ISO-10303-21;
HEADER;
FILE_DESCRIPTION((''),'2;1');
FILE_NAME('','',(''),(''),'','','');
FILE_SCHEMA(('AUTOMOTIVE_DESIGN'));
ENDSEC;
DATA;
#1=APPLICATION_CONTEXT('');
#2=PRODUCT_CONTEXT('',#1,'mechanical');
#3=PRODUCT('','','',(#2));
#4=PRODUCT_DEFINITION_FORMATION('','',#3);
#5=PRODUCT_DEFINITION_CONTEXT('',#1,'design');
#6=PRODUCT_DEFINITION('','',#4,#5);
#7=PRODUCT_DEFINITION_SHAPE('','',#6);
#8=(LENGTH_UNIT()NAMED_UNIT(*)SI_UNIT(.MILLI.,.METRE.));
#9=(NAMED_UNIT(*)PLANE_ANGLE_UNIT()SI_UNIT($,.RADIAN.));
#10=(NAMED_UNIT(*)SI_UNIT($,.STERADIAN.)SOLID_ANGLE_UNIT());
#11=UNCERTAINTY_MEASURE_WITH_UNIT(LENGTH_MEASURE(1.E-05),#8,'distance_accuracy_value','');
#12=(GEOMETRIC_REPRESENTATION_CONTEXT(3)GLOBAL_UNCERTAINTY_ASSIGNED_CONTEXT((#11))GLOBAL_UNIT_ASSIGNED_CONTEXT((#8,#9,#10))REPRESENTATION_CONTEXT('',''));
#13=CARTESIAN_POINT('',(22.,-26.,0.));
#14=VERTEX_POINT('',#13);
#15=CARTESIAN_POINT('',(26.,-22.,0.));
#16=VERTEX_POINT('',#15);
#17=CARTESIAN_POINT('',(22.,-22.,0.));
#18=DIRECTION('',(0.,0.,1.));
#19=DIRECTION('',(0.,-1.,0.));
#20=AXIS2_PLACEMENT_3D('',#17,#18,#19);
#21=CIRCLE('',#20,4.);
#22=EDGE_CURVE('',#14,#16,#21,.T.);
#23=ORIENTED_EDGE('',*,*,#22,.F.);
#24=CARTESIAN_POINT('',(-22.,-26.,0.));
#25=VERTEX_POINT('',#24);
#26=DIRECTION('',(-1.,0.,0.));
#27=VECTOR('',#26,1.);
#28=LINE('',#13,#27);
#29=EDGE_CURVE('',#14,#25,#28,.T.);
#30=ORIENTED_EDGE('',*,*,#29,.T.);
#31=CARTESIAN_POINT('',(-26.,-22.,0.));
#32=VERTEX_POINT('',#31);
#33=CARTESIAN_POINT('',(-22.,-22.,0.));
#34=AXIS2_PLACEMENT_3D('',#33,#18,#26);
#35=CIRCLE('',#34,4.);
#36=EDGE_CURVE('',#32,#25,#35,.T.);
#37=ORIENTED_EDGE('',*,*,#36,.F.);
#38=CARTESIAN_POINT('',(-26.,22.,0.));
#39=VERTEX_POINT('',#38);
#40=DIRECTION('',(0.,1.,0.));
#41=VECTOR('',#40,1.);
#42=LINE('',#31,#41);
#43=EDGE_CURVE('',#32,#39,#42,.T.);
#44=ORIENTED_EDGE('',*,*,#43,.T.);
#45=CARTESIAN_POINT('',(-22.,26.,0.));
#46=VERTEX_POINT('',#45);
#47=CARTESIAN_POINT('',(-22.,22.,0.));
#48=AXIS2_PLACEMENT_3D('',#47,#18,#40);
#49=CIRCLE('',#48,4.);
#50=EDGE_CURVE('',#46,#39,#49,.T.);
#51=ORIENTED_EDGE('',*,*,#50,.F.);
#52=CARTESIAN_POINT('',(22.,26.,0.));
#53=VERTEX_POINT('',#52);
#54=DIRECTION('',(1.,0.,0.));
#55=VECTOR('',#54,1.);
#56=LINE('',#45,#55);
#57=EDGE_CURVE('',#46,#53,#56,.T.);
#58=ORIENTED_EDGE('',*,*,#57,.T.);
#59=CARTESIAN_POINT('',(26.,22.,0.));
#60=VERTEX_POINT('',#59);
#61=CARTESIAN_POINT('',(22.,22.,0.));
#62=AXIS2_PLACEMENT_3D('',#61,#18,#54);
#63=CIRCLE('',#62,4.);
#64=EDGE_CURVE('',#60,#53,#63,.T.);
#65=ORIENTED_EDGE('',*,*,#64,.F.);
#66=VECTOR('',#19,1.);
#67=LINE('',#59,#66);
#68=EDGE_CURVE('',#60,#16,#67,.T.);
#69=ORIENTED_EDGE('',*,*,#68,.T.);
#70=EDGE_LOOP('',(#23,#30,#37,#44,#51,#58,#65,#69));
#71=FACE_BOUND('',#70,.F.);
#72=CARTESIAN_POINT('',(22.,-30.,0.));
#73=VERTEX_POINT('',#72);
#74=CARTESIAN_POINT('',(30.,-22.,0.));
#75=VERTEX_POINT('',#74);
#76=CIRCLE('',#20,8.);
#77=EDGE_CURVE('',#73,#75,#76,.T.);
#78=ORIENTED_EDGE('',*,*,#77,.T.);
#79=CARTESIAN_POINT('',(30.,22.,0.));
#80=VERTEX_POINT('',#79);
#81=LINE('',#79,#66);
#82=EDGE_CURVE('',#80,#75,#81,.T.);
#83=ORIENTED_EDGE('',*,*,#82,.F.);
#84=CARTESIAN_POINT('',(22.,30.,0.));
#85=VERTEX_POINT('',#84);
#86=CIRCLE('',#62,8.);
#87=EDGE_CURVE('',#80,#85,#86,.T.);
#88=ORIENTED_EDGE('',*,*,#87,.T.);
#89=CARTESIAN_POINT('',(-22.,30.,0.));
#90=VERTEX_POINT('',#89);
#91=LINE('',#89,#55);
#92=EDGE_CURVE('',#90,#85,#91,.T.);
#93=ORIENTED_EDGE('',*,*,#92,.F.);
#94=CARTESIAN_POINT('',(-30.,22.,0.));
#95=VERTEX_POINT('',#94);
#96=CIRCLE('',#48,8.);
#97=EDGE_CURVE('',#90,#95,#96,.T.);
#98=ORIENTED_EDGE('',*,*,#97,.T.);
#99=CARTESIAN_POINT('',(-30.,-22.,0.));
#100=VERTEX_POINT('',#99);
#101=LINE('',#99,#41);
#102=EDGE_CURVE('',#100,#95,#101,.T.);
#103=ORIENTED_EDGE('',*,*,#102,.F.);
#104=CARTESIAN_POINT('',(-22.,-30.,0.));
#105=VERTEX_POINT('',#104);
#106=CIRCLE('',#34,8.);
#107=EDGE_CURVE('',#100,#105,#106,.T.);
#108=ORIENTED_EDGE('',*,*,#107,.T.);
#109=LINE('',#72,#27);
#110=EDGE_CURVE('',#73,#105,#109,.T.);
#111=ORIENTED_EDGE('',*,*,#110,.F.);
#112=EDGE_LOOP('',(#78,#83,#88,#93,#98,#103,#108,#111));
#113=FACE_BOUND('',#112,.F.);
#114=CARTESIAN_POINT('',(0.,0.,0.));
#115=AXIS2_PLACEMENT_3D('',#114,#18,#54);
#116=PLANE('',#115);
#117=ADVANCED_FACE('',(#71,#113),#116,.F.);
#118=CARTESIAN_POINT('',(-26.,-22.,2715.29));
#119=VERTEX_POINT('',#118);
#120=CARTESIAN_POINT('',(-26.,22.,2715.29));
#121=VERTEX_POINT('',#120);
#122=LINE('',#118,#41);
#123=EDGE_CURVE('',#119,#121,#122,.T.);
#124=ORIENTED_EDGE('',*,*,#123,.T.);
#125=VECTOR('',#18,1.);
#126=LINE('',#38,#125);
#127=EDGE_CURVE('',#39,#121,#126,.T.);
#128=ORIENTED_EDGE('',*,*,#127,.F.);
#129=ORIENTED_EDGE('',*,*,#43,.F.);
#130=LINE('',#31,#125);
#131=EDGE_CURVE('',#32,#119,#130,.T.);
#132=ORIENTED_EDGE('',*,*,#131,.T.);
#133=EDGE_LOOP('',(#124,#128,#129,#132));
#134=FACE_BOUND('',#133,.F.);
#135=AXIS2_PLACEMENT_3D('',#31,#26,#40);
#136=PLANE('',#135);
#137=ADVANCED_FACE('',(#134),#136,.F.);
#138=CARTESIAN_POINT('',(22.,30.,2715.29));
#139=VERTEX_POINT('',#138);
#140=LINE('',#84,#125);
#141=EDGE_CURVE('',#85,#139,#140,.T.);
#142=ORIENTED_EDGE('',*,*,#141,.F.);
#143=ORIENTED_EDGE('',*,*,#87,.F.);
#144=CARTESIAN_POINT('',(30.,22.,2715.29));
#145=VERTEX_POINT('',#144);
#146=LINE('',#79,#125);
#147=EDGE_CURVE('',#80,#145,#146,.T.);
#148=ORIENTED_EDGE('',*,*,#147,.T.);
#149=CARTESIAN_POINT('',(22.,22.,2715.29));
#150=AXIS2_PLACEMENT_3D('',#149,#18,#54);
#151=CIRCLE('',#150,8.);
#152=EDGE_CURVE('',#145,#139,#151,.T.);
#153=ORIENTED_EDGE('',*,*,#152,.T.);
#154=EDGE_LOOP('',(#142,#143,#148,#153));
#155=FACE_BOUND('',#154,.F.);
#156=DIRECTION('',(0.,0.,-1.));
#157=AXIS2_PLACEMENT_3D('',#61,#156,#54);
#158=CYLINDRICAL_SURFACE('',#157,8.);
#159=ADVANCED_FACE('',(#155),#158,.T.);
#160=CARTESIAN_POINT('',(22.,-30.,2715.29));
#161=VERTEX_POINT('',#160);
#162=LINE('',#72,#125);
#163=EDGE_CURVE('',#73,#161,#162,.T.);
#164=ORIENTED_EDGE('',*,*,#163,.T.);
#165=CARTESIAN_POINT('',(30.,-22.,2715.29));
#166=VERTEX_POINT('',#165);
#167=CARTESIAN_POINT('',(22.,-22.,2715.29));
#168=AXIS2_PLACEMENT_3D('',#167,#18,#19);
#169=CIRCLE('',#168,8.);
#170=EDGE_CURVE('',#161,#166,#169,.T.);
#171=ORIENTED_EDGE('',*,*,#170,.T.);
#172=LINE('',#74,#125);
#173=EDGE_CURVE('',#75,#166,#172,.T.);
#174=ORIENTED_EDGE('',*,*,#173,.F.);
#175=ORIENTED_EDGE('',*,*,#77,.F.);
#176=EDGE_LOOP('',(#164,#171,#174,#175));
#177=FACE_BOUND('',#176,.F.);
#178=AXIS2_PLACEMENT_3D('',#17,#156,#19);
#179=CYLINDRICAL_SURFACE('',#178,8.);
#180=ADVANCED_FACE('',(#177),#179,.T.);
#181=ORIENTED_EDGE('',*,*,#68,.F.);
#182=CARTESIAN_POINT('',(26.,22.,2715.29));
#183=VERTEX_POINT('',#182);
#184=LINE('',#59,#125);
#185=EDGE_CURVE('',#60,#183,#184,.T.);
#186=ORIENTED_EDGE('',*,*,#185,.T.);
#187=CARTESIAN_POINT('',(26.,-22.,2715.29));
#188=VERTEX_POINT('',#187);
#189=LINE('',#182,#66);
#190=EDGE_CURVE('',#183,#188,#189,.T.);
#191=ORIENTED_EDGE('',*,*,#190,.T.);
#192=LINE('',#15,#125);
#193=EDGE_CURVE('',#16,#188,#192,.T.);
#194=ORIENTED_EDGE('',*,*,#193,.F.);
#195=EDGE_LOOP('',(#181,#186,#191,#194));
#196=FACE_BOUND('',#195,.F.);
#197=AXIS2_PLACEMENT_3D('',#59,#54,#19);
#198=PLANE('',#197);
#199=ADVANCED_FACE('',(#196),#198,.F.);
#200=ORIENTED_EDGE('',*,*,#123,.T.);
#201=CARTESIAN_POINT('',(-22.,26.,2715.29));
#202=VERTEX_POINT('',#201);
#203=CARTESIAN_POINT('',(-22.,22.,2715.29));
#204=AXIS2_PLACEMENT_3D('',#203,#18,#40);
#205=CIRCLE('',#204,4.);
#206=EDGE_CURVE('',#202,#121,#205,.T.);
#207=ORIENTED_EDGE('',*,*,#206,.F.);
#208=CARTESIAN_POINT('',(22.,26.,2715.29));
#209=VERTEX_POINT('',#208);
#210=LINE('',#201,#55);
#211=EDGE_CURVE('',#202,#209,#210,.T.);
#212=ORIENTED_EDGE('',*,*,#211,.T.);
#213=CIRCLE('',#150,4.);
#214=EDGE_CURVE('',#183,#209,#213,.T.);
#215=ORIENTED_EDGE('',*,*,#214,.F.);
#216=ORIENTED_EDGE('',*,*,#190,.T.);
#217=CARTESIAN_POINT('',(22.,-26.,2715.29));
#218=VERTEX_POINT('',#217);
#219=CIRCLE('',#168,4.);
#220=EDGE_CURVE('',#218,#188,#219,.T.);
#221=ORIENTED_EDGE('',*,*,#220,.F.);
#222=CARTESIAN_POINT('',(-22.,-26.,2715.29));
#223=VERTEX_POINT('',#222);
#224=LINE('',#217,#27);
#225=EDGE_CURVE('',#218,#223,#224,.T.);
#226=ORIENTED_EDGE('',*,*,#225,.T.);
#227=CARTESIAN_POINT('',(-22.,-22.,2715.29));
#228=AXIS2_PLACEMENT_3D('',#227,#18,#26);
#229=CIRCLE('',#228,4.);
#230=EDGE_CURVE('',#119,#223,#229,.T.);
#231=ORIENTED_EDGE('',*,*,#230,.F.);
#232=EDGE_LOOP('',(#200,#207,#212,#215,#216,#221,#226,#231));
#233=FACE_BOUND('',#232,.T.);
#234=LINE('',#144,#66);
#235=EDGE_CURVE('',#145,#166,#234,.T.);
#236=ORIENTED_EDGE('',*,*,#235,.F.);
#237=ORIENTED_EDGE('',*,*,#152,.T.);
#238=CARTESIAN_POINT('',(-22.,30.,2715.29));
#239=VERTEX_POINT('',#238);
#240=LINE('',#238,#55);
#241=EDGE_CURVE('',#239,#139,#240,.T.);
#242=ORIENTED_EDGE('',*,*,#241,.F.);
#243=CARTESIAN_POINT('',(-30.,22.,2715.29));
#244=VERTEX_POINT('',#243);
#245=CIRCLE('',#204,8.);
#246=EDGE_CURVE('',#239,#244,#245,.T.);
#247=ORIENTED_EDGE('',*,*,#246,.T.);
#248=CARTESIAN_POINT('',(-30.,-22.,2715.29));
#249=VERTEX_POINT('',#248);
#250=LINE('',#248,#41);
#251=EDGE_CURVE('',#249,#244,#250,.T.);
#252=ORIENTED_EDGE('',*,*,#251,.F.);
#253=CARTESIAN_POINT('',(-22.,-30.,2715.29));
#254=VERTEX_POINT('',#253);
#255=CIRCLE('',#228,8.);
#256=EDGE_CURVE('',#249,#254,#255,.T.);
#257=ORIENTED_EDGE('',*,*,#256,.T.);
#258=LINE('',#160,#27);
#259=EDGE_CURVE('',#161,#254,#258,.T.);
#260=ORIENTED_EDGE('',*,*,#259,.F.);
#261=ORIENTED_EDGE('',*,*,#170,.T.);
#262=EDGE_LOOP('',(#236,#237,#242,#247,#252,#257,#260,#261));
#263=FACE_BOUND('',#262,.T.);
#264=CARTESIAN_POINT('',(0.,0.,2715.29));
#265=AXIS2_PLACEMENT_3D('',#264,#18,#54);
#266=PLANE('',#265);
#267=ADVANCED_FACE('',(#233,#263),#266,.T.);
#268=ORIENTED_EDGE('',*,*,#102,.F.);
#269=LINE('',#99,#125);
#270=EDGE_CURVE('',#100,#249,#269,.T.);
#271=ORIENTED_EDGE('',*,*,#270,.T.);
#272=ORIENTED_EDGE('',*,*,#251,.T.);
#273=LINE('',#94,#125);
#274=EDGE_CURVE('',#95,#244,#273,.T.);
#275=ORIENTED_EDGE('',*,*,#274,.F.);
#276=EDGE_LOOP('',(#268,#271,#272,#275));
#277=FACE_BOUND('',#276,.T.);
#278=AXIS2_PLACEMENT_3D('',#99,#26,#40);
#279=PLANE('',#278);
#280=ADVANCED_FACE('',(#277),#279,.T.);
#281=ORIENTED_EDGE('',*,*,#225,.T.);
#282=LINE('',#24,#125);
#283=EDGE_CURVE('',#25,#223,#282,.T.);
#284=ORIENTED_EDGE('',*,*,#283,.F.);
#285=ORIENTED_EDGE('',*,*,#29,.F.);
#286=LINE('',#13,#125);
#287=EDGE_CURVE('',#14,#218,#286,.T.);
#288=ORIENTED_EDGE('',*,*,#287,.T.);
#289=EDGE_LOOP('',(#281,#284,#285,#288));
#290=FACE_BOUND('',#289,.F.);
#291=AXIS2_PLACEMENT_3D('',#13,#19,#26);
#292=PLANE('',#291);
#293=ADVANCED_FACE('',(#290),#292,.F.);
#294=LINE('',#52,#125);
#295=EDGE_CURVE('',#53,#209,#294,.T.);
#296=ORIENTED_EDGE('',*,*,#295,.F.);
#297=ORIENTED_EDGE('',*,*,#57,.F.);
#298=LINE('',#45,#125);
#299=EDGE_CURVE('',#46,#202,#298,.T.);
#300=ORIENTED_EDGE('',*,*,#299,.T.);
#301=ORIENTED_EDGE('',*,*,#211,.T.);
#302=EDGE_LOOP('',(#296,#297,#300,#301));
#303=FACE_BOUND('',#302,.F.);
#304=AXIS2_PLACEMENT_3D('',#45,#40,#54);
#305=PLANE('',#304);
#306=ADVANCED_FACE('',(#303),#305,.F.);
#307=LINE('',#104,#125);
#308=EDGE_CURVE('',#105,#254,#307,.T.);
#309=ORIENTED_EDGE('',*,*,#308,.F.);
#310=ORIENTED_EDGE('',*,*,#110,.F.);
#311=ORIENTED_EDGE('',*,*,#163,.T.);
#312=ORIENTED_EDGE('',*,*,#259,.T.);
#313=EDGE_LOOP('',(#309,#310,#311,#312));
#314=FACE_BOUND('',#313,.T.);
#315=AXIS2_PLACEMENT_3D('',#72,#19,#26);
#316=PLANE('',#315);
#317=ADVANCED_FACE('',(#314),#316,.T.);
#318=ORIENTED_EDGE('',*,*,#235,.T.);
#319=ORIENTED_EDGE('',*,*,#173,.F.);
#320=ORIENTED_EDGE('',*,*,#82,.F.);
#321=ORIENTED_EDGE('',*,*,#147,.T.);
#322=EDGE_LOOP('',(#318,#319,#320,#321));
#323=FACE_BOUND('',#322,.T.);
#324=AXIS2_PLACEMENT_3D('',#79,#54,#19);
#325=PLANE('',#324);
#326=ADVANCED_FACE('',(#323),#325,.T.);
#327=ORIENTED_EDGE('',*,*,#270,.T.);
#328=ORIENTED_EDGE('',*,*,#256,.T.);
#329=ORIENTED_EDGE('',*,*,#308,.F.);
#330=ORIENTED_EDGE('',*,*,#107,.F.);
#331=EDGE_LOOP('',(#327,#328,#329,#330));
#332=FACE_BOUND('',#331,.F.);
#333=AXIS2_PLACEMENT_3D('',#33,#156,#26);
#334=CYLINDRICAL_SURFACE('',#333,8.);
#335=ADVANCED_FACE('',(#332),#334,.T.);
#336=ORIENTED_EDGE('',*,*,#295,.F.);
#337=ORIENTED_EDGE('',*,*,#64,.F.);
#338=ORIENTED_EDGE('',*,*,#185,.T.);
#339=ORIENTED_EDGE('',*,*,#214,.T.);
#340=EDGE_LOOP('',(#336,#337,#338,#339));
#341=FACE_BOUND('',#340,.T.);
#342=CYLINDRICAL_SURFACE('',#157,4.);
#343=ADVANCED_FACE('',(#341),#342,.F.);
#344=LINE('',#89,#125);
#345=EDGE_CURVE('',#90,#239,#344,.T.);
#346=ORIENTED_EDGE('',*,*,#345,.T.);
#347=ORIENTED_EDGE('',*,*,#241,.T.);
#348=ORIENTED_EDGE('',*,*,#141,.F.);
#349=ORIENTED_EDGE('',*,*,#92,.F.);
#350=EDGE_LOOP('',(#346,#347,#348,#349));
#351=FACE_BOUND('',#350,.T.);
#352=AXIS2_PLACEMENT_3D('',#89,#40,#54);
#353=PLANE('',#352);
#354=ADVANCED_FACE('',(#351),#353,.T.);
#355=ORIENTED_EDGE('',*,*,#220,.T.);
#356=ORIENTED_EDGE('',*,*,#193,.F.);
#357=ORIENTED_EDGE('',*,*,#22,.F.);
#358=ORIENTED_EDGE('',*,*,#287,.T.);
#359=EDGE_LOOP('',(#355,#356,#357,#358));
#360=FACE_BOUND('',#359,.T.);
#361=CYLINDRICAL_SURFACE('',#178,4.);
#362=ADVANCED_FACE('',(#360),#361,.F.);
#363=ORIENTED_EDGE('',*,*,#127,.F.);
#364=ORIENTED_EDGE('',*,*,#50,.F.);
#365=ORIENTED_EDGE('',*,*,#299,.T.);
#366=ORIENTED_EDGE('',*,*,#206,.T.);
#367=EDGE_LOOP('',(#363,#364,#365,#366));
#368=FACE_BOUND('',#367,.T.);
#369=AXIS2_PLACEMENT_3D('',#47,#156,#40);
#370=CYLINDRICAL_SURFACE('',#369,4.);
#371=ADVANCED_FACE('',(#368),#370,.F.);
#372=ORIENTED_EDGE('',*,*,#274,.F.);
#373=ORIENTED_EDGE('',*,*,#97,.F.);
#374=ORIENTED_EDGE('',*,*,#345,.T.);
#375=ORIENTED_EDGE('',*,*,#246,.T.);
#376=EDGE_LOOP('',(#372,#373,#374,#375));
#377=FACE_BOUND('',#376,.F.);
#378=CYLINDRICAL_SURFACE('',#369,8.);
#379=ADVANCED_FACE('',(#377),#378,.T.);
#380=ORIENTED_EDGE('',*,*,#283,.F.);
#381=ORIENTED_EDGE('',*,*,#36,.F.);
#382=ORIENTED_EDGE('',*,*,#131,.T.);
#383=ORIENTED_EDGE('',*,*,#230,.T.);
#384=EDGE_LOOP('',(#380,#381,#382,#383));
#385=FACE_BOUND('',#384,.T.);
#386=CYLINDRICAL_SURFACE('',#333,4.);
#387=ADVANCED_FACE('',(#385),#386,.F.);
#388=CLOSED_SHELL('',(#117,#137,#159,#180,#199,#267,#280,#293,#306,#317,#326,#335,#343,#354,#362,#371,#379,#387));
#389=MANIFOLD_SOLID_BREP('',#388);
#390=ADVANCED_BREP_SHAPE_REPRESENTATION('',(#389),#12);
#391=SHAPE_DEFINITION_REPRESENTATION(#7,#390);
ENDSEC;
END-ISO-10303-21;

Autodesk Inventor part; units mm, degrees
ref_plane "YZ Plane" through (0, 0, 0) normal (1, 0, 0) x (0, 1, 0)
ref_plane "Start Plane" through (0, 0, 0) normal (0, 0, 1) x (1, 0, 0)
ref_plane "End Plane" through (0, 0, 2715.29) normal (0, 0, 1) x (1, 0, 0)
sketch "Sketch" plane through (0, 0, 0) normal (0, 0, 1) x (1, 0, 0)
  line L0 (-30, -22) -> (-30, 22)
  line L1 (-22, 30) -> (22, 30)
  line L2 (30, 22) -> (30, -22)
  line L3 (22, -30) -> (-22, -30)
  arc A0 (-30, -22) -> (-22, -30) centre (-22, -22) ccw
  arc A1 (30, 22) -> (22, 30) centre (22, 22) ccw
  arc A2 (-22, 30) -> (-30, 22) centre (-22, 22) ccw
  arc A3 (22, -30) -> (30, -22) centre (22, -22) ccw
  arc A4 (-22, 26) -> (-26, 22) centre (-22, 22) ccw
  line L4 (-22, 26) -> (22, 26)
  arc A5 (26, 22) -> (22, 26) centre (22, 22) ccw
  line L5 (26, 22) -> (26, -22)
  arc A6 (22, -26) -> (26, -22) centre (22, -22) ccw
  line L6 (22, -26) -> (-22, -26)
  arc A7 (-26, -22) -> (-22, -26) centre (-22, -22) ccw
  line L7 (-26, -22) -> (-26, 22)
  line L8 (0, 44.3196) -> (0, -44.3196) construction
  line L9 (-44.3196, 0) -> (44.3196, 0) construction
  dimension "d7" = 8
  dimension "d9" = 60
  dimension "d11" = 60
  dimension "d12" = 4
  dimension "d15" = 30
  dimension "d16" = 30
extrude "Body" add sketch "Sketch" along normal up to surface (2715.29 mm away) from surface at 0
sketch "Sketch3" plane through (0, 0, 0) normal (0, 0, 1) x (1, 0, 0)
  line L0 (0, 0) -> (10, 0)
ref_plane "Work Plane3" through (0, 0, 0) normal (0, -1, 0) x (1, 0, 0)
sketch "Sketch4" plane through (0, 0, 0) normal (0, -1, 0) x (1, 0, 0)
  line L0 (-2, 0) -> (12, 0) projected
  line L1 (-2, 2715.29) -> (12, 2715.29) projected
  dimension "d18" = 2715.29
equation "\"d7\" = G_IR"
equation "\"d9\" = G_W"
equation "\"d11\" = G_H"
equation "\"d12\" = G_T"
equation "\"d15\" = 0.5 * d9"
equation "\"d16\" = 0.5 * d11"
equation "\"d3\" = G_L"
equation "\"G_W\" = 60"
equation "\"G_H\" = 60"
equation "\"G_T\" = 4"
equation "\"G_IR\" = 8"
equation "\"G_L\" = d18"
equation "\"G_OFFSET_START\" = 0"
equation "\"G_OFFSET_END\" = 0"
equation "\"d14\" = G_OFFSET_END + B_L"
equation "\"B_L\" = 2715.29004"
properties part number "ISO 4019 - 60x60x4 - 2715,29" material "Steel, Mild"
